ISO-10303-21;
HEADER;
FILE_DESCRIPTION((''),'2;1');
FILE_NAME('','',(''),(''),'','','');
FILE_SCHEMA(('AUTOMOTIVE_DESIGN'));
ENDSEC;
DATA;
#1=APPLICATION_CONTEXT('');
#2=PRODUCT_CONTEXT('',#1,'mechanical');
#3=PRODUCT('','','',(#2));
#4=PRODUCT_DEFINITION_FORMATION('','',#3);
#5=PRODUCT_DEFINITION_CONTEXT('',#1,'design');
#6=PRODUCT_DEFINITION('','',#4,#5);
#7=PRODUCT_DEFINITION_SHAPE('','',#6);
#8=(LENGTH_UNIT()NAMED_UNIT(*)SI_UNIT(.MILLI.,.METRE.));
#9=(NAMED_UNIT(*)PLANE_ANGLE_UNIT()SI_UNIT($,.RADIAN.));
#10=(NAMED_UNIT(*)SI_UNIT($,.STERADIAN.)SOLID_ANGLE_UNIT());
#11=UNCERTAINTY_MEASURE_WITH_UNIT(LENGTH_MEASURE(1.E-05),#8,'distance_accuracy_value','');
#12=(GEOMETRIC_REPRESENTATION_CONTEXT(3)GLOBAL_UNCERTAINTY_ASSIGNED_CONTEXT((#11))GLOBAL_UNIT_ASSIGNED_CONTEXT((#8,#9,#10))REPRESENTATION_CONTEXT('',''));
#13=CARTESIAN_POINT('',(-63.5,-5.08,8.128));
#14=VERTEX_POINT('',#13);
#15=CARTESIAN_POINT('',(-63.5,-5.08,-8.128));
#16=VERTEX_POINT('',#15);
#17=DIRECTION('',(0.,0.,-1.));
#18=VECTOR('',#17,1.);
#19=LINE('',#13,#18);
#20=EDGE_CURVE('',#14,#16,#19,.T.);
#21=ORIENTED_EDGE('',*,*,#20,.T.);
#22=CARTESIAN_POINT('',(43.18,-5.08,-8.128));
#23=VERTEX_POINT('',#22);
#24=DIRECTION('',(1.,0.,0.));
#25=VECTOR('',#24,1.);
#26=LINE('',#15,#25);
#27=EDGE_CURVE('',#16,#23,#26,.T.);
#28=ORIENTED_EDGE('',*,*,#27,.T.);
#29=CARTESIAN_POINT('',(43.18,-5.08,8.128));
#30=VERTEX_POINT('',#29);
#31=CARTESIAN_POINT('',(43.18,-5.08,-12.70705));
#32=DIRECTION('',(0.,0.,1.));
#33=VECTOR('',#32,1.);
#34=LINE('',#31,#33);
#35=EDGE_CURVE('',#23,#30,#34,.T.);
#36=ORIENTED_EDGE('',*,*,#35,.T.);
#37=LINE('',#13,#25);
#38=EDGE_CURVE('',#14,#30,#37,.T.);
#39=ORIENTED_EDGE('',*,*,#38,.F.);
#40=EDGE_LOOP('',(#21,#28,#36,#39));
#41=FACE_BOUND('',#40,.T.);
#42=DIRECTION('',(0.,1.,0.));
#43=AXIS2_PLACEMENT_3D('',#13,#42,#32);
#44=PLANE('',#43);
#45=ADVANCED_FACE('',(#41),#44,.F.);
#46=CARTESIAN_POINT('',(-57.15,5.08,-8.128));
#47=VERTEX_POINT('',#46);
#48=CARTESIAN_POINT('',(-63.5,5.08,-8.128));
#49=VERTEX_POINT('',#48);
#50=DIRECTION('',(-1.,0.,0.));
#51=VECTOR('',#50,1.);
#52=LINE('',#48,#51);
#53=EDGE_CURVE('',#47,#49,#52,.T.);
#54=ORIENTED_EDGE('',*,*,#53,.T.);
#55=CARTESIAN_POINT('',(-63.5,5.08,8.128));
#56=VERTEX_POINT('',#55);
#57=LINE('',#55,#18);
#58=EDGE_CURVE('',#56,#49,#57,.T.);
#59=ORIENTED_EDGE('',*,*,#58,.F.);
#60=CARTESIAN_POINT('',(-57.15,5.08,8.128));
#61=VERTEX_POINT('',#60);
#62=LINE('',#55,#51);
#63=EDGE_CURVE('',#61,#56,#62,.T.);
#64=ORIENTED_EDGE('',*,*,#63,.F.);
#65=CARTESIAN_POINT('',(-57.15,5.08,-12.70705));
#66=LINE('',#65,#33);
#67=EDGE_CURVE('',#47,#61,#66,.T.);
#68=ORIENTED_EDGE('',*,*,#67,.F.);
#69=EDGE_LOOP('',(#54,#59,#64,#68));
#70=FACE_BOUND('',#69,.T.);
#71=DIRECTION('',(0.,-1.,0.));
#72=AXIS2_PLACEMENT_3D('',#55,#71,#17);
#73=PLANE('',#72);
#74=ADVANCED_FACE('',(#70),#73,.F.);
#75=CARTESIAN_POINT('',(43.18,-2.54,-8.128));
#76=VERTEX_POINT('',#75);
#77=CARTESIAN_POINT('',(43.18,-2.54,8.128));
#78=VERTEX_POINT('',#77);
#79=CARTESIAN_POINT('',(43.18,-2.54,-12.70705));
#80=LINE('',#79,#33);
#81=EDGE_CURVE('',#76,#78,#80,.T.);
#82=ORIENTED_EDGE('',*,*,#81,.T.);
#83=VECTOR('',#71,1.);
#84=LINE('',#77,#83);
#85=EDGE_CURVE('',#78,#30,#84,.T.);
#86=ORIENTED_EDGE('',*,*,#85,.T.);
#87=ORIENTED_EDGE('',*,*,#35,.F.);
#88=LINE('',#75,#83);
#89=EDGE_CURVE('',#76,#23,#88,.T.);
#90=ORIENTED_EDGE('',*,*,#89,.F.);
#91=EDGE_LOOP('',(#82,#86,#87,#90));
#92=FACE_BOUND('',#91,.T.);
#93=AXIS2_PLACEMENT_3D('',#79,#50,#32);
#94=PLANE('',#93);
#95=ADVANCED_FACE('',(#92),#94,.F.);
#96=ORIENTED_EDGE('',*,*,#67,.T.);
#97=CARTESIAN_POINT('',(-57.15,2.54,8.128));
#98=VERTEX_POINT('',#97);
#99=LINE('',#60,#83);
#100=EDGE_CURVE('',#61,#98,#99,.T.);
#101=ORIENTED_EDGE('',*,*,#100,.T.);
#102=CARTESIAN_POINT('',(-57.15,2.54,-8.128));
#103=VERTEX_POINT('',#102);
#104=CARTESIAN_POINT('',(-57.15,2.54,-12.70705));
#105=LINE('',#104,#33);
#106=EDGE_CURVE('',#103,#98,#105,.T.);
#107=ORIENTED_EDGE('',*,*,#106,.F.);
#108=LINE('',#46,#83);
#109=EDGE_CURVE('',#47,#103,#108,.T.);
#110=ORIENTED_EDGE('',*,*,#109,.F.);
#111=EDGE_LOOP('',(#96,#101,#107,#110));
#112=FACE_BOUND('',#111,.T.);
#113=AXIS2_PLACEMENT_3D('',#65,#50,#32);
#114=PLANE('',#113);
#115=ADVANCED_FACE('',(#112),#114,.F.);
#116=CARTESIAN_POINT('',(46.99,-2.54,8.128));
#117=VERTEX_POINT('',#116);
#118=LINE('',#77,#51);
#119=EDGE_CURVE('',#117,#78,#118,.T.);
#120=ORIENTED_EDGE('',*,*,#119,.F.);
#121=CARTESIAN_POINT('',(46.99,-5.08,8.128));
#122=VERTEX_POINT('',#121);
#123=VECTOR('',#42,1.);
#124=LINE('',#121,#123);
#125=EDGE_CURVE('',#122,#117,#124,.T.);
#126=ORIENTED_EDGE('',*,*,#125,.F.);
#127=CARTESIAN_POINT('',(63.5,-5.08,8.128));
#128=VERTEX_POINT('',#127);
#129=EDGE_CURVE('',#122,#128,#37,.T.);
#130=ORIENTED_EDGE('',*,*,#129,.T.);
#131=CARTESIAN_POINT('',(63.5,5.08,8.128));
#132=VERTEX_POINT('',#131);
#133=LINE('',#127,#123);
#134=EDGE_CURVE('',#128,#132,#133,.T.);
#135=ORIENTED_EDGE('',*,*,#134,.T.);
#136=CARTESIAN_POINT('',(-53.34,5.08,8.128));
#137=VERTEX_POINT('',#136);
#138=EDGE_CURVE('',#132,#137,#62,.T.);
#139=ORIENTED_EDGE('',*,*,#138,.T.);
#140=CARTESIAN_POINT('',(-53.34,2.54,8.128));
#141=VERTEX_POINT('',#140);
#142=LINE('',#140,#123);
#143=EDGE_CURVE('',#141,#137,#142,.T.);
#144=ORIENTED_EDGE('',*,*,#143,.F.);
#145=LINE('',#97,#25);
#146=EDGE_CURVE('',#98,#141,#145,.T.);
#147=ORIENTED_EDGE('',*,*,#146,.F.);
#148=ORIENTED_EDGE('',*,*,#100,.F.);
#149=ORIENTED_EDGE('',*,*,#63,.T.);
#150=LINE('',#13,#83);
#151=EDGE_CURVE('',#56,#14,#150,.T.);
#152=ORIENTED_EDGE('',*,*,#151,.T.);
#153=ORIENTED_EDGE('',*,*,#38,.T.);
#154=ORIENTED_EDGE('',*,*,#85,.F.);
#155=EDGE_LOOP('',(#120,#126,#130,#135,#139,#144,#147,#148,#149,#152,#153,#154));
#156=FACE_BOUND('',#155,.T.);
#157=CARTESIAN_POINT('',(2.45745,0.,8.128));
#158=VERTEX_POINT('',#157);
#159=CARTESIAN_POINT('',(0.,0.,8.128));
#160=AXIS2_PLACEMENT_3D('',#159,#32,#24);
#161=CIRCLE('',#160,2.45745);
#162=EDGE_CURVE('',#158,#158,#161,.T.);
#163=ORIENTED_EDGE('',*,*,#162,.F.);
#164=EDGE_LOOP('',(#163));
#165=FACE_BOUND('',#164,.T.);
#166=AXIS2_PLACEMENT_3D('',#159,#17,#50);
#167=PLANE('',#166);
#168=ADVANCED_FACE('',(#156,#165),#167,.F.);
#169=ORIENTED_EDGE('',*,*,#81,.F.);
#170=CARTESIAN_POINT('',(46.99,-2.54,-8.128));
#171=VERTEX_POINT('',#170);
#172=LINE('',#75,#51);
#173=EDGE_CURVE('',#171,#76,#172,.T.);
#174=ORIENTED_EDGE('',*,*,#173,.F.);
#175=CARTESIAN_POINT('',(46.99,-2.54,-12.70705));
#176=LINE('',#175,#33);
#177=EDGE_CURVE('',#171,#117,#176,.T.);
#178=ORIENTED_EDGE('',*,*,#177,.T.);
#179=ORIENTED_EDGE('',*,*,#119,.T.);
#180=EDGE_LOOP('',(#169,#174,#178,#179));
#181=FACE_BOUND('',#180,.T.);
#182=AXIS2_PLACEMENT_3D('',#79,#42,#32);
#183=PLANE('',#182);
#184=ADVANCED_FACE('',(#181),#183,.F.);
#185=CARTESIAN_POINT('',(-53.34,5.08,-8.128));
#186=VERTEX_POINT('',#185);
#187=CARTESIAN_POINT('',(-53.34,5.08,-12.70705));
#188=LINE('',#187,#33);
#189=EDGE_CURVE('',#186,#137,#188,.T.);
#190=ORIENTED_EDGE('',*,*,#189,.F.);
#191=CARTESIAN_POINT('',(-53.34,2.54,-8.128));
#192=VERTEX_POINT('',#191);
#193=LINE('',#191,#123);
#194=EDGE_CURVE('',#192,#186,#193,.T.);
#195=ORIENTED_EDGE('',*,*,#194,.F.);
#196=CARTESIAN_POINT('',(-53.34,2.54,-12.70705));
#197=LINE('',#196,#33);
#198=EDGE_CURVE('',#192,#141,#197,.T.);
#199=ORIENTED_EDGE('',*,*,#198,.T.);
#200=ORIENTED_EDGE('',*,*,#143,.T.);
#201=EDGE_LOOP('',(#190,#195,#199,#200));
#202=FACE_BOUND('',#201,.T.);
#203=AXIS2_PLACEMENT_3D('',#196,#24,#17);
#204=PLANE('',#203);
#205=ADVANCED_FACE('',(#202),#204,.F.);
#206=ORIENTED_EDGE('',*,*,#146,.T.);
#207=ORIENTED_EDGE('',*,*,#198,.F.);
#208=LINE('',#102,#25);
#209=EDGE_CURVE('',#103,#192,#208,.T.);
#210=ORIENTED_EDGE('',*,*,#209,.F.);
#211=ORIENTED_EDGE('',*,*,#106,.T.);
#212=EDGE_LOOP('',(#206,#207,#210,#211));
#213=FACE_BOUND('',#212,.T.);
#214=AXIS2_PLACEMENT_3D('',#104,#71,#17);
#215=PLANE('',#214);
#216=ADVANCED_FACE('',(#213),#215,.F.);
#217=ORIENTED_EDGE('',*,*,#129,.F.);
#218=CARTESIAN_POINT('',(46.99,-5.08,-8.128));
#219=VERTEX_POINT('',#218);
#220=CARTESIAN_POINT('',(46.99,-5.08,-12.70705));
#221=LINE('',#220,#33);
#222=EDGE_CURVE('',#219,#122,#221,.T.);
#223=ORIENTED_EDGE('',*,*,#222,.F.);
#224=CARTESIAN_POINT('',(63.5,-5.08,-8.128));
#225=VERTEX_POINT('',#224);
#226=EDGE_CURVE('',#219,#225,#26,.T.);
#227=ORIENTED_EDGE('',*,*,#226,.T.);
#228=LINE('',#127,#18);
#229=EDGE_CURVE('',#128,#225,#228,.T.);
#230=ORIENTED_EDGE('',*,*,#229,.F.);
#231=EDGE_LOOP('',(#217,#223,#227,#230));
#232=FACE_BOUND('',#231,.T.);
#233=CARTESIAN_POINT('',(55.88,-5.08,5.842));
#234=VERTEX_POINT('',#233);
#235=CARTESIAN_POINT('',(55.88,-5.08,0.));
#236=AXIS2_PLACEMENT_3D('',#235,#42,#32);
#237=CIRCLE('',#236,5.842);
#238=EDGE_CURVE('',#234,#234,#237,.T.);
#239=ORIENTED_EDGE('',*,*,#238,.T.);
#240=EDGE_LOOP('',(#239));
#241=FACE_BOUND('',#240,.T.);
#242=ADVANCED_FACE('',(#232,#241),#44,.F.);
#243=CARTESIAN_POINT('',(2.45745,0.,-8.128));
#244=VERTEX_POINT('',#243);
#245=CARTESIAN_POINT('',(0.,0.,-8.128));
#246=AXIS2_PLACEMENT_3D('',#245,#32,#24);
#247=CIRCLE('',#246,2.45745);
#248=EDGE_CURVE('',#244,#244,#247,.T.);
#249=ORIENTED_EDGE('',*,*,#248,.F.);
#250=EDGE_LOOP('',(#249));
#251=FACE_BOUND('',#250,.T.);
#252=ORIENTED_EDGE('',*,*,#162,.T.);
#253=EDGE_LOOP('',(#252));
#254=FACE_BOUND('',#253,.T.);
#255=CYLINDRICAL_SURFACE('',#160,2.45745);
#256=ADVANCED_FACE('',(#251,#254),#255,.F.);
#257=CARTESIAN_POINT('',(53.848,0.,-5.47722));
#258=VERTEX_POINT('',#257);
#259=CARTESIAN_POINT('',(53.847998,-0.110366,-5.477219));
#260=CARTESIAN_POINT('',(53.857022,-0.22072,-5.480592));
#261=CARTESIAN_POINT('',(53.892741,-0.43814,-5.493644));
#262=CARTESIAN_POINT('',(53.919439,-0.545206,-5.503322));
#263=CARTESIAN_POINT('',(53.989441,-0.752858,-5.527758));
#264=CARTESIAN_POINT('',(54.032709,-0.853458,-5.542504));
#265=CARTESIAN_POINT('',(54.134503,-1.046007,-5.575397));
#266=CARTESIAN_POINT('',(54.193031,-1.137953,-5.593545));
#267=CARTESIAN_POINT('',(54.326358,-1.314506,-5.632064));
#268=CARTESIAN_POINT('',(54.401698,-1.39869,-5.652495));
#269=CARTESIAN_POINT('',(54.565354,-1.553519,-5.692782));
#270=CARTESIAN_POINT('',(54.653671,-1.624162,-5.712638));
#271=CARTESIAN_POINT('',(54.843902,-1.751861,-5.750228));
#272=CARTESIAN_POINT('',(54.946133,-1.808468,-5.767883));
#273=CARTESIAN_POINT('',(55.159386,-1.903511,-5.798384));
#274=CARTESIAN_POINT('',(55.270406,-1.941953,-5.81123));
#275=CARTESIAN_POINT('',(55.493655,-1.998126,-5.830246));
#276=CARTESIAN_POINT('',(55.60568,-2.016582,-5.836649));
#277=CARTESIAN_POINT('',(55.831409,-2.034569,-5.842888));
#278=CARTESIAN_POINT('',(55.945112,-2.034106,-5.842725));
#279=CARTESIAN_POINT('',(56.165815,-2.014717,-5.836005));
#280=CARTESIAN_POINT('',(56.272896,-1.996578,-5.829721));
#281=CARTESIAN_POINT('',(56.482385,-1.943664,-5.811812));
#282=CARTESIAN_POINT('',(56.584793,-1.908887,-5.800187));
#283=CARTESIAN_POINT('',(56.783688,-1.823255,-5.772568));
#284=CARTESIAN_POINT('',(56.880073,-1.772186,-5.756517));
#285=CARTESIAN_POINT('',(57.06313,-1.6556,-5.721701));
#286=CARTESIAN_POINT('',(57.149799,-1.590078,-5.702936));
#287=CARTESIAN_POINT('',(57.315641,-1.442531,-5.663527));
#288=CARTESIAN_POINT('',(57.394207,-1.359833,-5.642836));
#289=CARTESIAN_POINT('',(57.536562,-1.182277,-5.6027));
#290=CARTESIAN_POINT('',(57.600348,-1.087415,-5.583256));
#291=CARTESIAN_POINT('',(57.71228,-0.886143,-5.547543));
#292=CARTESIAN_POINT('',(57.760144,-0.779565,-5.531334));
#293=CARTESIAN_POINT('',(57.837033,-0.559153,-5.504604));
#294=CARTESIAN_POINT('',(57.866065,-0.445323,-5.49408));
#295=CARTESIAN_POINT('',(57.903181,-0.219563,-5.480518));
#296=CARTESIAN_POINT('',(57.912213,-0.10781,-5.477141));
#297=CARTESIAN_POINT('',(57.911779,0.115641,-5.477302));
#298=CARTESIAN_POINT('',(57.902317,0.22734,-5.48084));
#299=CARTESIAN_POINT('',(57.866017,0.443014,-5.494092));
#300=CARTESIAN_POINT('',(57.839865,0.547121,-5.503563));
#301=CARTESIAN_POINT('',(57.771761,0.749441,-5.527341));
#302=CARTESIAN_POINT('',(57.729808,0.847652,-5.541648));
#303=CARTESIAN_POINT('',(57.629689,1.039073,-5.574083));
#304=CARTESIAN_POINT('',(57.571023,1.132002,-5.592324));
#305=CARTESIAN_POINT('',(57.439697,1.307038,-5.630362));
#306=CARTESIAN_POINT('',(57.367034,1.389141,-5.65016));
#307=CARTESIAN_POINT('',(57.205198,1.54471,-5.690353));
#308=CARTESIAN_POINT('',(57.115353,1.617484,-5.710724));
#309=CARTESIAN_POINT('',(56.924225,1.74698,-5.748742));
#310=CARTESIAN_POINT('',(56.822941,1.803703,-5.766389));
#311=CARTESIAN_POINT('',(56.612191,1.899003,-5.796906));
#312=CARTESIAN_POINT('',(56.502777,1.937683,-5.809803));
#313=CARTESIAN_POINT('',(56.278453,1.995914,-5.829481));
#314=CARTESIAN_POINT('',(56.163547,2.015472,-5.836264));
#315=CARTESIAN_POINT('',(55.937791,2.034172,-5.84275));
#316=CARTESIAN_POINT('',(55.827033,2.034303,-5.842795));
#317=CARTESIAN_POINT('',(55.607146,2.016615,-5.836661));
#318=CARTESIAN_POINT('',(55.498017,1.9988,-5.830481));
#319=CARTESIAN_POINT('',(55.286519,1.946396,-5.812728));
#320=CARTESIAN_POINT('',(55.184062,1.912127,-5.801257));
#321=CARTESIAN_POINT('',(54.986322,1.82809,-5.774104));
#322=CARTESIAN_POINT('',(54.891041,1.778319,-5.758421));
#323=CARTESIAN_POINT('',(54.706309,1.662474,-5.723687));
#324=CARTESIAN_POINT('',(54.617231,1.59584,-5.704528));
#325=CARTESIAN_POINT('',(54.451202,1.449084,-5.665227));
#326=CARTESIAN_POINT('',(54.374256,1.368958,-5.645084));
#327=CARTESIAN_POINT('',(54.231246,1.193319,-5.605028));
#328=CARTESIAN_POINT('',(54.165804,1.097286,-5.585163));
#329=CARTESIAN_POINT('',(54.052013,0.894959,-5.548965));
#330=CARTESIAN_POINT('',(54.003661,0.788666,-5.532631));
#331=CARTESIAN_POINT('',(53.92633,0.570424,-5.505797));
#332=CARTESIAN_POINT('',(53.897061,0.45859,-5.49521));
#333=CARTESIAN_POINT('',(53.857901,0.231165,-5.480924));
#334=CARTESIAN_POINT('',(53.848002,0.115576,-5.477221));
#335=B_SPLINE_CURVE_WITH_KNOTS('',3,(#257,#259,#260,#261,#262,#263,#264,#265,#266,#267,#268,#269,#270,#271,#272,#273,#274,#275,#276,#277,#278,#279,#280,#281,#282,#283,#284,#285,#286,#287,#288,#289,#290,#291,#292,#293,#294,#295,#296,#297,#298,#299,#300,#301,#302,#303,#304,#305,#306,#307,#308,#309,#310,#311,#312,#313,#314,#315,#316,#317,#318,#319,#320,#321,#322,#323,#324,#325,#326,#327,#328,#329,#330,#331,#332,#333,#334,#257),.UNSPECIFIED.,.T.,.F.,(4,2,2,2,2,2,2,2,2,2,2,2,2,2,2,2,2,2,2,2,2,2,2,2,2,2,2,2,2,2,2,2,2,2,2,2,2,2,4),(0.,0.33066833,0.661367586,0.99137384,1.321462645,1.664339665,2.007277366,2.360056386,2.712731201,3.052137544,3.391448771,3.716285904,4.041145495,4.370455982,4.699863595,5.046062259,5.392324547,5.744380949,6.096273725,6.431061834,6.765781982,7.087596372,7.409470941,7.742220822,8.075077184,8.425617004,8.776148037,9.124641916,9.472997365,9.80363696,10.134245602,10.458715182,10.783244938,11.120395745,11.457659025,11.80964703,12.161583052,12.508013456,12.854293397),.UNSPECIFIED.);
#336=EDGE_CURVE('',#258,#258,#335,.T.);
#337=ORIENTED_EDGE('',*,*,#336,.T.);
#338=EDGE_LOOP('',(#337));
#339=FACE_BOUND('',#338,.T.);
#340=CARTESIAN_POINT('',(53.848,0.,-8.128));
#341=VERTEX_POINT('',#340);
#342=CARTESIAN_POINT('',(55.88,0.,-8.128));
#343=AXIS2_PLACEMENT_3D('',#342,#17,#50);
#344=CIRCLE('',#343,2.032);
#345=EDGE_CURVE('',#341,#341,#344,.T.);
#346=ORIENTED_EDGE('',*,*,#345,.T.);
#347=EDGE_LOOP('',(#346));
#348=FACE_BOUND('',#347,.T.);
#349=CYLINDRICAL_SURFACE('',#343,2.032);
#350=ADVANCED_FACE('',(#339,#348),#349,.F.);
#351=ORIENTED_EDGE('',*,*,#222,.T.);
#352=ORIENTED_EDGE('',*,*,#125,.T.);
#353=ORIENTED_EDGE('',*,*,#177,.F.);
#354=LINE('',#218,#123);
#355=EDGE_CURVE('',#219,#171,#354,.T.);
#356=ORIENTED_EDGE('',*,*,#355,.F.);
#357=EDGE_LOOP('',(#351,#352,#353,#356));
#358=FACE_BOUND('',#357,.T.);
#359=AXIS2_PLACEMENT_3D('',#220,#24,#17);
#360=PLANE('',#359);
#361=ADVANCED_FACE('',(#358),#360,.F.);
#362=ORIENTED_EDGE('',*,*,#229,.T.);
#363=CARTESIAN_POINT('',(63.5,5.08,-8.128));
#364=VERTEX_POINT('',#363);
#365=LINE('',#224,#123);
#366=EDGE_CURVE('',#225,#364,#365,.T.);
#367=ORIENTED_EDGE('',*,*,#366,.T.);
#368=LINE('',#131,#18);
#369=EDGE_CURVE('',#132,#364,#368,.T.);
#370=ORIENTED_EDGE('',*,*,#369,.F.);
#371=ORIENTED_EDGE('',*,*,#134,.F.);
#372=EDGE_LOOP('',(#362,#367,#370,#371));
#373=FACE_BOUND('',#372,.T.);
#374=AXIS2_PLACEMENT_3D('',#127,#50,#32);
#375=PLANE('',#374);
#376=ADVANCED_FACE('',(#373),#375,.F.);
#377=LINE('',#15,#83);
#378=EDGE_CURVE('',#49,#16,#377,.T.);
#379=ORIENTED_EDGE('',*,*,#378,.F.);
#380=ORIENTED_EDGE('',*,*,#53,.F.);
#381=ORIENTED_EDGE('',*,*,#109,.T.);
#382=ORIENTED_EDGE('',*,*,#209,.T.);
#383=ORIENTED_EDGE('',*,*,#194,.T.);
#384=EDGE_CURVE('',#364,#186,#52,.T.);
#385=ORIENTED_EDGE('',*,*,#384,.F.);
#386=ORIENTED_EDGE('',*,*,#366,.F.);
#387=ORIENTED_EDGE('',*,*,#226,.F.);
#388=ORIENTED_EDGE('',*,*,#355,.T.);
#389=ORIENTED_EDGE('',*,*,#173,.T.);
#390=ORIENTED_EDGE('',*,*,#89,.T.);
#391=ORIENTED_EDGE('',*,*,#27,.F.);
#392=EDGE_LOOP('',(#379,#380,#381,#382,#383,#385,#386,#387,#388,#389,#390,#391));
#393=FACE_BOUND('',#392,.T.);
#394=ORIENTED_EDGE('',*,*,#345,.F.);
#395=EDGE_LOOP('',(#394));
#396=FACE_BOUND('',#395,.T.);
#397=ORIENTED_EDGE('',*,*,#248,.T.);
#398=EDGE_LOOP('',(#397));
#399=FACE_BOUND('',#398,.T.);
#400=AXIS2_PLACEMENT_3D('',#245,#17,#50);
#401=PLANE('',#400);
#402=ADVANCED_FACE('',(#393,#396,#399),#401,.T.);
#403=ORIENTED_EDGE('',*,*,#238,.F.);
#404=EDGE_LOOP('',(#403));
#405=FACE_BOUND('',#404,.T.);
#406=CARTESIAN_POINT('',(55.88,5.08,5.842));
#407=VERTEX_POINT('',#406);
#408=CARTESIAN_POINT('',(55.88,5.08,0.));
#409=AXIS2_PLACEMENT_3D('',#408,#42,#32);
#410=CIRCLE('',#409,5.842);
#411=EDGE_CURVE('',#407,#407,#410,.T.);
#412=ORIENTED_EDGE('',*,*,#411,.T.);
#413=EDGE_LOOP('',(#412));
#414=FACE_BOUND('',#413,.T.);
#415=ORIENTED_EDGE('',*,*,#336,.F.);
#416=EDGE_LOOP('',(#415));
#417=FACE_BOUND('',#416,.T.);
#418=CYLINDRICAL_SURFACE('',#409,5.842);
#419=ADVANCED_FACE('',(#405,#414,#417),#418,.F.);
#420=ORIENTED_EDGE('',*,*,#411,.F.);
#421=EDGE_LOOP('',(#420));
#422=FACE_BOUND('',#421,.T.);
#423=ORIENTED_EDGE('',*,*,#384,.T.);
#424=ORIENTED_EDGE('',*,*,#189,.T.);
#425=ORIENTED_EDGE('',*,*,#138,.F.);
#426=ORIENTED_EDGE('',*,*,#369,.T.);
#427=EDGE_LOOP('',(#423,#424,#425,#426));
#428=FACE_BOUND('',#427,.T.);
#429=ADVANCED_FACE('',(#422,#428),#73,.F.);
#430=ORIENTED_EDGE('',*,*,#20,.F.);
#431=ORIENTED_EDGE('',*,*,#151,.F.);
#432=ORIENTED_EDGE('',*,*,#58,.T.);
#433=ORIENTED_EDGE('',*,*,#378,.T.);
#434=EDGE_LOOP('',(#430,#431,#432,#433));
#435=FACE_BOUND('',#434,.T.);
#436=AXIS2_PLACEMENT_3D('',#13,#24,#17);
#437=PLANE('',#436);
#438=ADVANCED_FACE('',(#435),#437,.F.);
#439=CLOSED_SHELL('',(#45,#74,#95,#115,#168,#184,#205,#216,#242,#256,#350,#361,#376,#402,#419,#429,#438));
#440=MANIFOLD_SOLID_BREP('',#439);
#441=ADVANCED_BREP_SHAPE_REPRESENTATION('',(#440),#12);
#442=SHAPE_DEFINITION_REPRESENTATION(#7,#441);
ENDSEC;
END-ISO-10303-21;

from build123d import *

# Parameters (mm, degrees)
SKETCH1_W                    = 127
SKETCH1_H                    = 10.16
BOSS_EXTRUDE1_DEPTH          = 8.128
F_10_0_1935_DIAMETER_HOLE2_D = 4.9149
SKETCH6_W                    = 3.81
SKETCH6_H                    = 2.54
CUT_EXTRUDE1_DEPTH           = 16.256
HOLE1_D                      = 11.684
HOLE2_D                      = 4.064
HOLE2_DEPTH                  = 6.906051222
HOLE2_TIP                    = 1.220948778


with BuildPart() as part:
    # Sketch1 → Boss-Extrude1 (new body, symmetric)
    with BuildSketch(Plane.XY):
        Rectangle(SKETCH1_W, SKETCH1_H)
    extrude(amount=BOSS_EXTRUDE1_DEPTH, both=True)

    # #10 (0.1935) Diameter Hole2 (through all)
    with Locations(Plane.XY.offset(8.128)):
        with Locations((0, 0)):
            Hole(F_10_0_1935_DIAMETER_HOLE2_D / 2)

    # Sketch6 → Cut-Extrude1 (cut)
    with BuildSketch(Plane.XY.offset(8.128)):
        with Locations((-55.245, 3.81)):
            Rectangle(SKETCH6_W, SKETCH6_H)
        with Locations((45.085, -3.81)):
            Rectangle(SKETCH6_W, SKETCH6_H)
    extrude(amount=-CUT_EXTRUDE1_DEPTH, mode=Mode.SUBTRACT)

    # Hole1 (through all)
    with Locations(Plane(origin=(0, 5.08, 0), x_dir=(1, 0, 0), z_dir=(0, 1, 0))):
        with Locations((55.88, 0)):
            Hole(HOLE1_D / 2)

    # Hole2
    with Locations(Plane(origin=(0, 0, -8.128), x_dir=(-1, 0, 0), z_dir=(0, 0, -1))):
        with Locations((-55.88, 0)):
            Hole(HOLE2_D / 2, depth=HOLE2_DEPTH)
            with Locations((0, 0, -(HOLE2_DEPTH + HOLE2_TIP / 2))):  # 118° drill point
                Cone(0, HOLE2_D / 2, HOLE2_TIP, mode=Mode.SUBTRACT)


solid = part.part
